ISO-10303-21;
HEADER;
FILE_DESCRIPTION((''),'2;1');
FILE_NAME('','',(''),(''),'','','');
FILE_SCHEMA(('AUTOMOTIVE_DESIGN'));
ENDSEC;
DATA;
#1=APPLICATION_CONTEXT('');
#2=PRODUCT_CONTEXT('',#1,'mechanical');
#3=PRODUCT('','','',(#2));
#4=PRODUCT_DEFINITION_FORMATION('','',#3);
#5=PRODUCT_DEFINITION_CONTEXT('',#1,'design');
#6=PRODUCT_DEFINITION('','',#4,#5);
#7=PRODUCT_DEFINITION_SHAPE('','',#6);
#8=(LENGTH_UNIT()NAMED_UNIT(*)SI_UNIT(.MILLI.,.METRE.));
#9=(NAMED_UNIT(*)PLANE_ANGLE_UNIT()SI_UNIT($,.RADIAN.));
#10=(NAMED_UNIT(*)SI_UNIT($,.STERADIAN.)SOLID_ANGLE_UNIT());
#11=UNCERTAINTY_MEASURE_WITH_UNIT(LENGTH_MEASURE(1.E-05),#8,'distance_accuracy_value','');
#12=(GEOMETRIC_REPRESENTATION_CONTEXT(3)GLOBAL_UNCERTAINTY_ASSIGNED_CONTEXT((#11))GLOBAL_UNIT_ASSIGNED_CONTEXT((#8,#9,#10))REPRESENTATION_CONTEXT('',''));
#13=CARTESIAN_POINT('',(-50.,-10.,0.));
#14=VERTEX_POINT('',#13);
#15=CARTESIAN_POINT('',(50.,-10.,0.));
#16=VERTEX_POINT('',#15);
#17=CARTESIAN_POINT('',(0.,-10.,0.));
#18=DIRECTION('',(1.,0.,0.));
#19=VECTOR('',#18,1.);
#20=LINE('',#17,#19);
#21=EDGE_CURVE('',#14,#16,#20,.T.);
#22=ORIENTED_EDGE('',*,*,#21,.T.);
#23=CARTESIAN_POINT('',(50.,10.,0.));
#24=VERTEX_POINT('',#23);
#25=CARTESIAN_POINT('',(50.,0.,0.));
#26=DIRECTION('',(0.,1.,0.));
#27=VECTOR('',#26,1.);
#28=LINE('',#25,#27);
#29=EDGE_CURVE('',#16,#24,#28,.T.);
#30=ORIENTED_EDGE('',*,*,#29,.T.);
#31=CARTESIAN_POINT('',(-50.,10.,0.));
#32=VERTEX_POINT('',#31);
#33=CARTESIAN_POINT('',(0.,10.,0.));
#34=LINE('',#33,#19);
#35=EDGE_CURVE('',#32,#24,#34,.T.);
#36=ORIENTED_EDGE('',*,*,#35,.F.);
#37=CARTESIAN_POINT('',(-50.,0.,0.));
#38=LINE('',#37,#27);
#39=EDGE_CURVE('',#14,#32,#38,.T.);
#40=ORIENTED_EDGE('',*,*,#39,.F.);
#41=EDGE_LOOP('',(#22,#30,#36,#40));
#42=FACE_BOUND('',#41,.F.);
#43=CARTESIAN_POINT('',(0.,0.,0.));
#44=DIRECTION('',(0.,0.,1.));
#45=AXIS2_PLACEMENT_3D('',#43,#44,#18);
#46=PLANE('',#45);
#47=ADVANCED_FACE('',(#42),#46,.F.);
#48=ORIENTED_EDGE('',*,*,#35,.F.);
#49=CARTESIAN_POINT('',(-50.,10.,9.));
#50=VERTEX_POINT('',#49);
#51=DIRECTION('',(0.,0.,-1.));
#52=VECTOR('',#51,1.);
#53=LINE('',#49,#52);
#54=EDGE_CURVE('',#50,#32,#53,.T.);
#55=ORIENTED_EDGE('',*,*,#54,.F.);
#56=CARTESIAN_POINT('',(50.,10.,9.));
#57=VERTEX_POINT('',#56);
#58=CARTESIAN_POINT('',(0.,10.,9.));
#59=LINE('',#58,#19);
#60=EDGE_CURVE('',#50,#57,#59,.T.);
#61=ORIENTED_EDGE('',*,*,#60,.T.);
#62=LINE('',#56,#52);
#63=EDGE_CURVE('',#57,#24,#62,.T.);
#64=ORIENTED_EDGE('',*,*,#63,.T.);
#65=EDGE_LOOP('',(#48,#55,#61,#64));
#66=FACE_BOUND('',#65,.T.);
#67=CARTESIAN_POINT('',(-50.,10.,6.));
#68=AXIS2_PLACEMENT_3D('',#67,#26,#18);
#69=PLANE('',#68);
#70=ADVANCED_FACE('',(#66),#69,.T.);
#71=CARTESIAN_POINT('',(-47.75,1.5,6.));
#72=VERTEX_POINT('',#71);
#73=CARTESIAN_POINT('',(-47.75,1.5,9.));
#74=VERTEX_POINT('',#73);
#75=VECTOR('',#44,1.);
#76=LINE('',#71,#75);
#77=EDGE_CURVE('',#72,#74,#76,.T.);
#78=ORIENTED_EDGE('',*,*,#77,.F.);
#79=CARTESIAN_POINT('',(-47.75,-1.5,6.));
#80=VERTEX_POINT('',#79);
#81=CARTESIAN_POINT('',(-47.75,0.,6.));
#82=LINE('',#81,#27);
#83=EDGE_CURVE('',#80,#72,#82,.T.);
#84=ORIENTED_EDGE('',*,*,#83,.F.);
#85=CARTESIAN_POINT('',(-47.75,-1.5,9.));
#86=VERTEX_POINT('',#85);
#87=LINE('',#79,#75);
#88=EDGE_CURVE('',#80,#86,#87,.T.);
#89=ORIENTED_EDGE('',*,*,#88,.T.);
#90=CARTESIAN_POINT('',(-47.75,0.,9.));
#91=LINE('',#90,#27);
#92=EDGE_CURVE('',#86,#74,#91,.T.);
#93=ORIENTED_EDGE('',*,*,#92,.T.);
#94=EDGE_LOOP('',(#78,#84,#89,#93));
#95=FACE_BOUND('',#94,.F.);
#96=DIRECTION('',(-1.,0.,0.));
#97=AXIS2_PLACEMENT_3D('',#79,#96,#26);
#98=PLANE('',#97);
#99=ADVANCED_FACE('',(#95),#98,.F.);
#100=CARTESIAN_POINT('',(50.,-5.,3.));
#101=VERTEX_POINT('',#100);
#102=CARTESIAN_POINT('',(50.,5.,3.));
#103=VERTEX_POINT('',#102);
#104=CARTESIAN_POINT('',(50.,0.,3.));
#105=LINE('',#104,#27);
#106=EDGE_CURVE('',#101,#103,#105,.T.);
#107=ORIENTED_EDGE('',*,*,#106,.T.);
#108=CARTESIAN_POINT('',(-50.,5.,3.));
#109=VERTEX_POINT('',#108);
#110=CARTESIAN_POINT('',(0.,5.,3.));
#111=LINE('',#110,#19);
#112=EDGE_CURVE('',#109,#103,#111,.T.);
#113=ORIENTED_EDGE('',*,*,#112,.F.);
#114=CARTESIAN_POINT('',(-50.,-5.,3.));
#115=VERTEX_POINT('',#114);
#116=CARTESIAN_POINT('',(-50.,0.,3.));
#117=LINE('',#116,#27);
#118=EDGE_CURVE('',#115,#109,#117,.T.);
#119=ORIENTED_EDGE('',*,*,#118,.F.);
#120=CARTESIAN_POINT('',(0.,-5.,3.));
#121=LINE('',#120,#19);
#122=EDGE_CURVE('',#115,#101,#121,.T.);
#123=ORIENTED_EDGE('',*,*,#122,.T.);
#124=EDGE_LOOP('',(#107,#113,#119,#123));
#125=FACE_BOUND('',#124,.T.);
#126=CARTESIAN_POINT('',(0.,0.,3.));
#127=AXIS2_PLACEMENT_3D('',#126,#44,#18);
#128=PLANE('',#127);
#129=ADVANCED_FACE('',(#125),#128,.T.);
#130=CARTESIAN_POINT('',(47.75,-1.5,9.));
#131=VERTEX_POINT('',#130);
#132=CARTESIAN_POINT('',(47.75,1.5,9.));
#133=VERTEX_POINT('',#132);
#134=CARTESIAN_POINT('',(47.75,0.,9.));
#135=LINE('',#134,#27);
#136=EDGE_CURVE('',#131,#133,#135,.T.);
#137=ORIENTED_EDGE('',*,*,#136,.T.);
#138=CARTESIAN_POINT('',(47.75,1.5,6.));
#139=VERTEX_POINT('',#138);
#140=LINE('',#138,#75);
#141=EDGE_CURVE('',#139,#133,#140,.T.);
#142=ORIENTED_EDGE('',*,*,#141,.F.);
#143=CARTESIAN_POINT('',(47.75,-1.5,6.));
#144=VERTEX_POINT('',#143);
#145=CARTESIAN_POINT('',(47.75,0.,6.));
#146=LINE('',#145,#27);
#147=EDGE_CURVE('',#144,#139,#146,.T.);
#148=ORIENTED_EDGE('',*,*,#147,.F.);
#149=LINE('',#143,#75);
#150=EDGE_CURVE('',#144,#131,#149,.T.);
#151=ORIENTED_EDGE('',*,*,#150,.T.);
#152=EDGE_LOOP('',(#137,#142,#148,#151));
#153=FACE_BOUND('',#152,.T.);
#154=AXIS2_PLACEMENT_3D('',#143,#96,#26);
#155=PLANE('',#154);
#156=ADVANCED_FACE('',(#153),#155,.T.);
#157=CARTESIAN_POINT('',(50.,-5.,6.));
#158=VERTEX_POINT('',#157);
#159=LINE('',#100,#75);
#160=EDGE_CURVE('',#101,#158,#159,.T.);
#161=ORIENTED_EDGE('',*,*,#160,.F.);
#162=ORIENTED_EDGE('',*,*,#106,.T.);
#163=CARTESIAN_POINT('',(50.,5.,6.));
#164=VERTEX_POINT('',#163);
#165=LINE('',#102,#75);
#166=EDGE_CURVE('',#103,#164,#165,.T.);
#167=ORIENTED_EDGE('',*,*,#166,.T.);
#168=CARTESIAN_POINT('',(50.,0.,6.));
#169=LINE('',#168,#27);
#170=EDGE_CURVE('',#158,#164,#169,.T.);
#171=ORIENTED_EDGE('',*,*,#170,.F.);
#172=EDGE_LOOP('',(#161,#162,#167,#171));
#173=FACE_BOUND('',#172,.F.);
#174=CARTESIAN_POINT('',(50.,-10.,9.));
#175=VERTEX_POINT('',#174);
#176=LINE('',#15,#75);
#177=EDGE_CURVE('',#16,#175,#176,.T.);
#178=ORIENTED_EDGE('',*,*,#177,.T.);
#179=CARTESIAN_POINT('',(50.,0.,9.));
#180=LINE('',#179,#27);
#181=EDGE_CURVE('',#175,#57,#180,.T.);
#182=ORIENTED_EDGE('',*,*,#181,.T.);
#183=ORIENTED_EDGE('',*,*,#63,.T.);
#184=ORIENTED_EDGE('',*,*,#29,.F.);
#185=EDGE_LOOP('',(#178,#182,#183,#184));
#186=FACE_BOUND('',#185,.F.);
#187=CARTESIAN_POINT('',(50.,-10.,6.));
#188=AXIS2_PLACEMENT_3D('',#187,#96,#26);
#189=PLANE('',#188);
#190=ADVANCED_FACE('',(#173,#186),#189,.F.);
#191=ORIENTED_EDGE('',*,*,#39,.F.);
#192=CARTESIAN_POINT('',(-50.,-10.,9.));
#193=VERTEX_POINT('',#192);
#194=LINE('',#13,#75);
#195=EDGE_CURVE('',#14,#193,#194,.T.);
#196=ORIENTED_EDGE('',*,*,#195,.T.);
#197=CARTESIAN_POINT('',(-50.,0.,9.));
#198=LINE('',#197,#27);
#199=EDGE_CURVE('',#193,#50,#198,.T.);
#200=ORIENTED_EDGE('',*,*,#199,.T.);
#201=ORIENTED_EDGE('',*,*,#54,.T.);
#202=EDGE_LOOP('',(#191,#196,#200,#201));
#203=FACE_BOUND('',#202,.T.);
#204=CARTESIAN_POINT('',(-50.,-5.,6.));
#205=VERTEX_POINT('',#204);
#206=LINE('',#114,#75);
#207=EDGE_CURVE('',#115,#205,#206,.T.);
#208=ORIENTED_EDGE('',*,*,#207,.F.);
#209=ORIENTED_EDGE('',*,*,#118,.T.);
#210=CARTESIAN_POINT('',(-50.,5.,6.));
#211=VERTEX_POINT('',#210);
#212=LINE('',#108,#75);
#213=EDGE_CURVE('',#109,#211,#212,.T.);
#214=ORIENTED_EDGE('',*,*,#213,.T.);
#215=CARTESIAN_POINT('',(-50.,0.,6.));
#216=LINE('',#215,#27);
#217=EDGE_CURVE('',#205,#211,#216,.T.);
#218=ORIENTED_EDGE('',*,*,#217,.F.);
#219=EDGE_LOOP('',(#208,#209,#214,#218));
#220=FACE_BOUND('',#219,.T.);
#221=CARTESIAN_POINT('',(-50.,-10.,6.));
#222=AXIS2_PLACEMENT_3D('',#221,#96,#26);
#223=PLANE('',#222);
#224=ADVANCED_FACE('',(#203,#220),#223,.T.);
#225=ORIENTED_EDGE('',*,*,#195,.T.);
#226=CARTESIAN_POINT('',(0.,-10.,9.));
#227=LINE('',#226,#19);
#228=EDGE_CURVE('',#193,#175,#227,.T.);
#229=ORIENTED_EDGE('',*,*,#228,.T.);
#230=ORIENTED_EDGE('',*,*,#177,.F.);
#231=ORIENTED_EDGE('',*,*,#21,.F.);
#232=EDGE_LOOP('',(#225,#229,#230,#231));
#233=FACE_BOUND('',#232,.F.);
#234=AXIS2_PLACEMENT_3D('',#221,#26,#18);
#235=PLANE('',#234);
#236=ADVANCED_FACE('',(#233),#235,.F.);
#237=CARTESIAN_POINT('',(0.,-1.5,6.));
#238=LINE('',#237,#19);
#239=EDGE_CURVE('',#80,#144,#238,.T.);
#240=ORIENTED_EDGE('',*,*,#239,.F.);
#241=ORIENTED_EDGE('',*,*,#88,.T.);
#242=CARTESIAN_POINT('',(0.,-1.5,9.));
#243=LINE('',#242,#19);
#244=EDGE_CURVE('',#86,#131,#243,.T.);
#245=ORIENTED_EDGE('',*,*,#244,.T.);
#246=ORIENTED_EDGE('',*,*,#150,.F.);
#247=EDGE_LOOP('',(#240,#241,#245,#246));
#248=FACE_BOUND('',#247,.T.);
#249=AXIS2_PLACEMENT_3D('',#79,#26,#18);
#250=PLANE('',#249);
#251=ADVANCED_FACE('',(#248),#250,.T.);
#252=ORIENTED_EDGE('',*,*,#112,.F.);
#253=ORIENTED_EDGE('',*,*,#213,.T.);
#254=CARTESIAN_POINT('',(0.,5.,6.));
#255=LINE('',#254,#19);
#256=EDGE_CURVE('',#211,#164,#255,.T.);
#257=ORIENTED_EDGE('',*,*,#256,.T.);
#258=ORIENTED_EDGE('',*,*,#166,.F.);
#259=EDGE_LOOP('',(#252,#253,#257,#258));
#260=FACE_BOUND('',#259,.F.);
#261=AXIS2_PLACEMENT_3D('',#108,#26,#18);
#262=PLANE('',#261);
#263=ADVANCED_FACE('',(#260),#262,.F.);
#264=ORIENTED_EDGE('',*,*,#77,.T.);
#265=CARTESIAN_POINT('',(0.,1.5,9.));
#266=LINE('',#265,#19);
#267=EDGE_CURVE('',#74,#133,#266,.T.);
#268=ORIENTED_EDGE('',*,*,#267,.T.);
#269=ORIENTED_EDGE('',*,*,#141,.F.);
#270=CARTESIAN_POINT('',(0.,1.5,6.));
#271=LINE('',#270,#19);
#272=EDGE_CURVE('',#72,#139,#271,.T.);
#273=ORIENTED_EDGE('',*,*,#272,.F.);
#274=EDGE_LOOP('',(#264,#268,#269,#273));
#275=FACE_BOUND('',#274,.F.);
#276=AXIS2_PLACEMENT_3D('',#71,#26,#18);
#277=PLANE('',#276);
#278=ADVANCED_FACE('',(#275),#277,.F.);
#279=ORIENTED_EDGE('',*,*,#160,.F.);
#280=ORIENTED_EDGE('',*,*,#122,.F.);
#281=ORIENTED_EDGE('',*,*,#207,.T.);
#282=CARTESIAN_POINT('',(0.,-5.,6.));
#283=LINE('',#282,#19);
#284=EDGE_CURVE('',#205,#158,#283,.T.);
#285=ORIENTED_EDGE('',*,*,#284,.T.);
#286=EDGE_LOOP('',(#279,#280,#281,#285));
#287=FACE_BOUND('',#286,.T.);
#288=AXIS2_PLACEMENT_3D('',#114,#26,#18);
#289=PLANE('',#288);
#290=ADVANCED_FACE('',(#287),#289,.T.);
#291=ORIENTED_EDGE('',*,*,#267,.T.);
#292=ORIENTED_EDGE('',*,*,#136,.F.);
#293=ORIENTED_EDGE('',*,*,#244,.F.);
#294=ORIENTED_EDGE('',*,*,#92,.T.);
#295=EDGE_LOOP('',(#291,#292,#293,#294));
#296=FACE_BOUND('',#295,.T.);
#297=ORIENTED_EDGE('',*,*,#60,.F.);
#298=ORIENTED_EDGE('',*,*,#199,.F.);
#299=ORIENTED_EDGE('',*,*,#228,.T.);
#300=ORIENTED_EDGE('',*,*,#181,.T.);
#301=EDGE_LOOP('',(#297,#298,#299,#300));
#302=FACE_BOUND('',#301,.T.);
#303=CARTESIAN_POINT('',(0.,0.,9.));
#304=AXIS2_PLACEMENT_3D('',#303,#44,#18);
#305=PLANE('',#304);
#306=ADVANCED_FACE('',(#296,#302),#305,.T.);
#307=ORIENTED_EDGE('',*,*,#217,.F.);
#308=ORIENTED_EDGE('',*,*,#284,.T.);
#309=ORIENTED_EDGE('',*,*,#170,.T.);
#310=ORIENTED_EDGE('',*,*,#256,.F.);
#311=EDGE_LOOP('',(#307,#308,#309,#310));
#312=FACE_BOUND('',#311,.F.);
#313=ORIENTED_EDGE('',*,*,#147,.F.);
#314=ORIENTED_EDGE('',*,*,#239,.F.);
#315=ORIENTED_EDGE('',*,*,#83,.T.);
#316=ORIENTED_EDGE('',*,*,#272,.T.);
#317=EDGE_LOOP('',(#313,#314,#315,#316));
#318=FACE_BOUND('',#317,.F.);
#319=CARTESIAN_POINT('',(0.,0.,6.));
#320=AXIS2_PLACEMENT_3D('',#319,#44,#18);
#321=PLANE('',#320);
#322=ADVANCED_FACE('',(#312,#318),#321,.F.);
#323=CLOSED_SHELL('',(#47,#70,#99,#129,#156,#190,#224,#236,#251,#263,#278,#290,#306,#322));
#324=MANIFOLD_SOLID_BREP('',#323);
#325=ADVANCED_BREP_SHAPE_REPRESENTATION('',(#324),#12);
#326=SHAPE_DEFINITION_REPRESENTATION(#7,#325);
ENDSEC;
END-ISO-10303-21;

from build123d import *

# Parameters (mm, degrees)
SKETCH_W      = 100
SKETCH_H      = 20
PAD_DEPTH     = 3
SKETCH001_W   = 100
SKETCH001_H   = 5
PAD001_DEPTH  = 3
SKETCH002_W   = 100
SKETCH002_H   = 20
SKETCH002_W_2 = 95.5
SKETCH002_H_2 = 3
PAD002_DEPTH  = 3


with BuildPart() as part:
    # Sketch → Pad (new body)
    with BuildSketch(Plane.XY):
        Rectangle(SKETCH_W, SKETCH_H)
    extrude(amount=PAD_DEPTH)

    # Sketch001 (on Face6 of Pad) → Pad001 (join)
    with BuildSketch(Plane.XY.offset(3)):
        with Locations((0, 7.5)):
            Rectangle(SKETCH001_W, SKETCH001_H)
        with Locations((0, -7.5)):
            Rectangle(SKETCH001_W, SKETCH001_H)
    extrude(amount=PAD001_DEPTH)

    # Sketch002 (on Face12 of Pad001) → Pad002 (join)
    with BuildSketch(Plane.XY.offset(6)):
        Rectangle(SKETCH002_W, SKETCH002_H)
        Rectangle(SKETCH002_W_2, SKETCH002_H_2, mode=Mode.SUBTRACT)
    extrude(amount=PAD002_DEPTH)


solid = part.part
